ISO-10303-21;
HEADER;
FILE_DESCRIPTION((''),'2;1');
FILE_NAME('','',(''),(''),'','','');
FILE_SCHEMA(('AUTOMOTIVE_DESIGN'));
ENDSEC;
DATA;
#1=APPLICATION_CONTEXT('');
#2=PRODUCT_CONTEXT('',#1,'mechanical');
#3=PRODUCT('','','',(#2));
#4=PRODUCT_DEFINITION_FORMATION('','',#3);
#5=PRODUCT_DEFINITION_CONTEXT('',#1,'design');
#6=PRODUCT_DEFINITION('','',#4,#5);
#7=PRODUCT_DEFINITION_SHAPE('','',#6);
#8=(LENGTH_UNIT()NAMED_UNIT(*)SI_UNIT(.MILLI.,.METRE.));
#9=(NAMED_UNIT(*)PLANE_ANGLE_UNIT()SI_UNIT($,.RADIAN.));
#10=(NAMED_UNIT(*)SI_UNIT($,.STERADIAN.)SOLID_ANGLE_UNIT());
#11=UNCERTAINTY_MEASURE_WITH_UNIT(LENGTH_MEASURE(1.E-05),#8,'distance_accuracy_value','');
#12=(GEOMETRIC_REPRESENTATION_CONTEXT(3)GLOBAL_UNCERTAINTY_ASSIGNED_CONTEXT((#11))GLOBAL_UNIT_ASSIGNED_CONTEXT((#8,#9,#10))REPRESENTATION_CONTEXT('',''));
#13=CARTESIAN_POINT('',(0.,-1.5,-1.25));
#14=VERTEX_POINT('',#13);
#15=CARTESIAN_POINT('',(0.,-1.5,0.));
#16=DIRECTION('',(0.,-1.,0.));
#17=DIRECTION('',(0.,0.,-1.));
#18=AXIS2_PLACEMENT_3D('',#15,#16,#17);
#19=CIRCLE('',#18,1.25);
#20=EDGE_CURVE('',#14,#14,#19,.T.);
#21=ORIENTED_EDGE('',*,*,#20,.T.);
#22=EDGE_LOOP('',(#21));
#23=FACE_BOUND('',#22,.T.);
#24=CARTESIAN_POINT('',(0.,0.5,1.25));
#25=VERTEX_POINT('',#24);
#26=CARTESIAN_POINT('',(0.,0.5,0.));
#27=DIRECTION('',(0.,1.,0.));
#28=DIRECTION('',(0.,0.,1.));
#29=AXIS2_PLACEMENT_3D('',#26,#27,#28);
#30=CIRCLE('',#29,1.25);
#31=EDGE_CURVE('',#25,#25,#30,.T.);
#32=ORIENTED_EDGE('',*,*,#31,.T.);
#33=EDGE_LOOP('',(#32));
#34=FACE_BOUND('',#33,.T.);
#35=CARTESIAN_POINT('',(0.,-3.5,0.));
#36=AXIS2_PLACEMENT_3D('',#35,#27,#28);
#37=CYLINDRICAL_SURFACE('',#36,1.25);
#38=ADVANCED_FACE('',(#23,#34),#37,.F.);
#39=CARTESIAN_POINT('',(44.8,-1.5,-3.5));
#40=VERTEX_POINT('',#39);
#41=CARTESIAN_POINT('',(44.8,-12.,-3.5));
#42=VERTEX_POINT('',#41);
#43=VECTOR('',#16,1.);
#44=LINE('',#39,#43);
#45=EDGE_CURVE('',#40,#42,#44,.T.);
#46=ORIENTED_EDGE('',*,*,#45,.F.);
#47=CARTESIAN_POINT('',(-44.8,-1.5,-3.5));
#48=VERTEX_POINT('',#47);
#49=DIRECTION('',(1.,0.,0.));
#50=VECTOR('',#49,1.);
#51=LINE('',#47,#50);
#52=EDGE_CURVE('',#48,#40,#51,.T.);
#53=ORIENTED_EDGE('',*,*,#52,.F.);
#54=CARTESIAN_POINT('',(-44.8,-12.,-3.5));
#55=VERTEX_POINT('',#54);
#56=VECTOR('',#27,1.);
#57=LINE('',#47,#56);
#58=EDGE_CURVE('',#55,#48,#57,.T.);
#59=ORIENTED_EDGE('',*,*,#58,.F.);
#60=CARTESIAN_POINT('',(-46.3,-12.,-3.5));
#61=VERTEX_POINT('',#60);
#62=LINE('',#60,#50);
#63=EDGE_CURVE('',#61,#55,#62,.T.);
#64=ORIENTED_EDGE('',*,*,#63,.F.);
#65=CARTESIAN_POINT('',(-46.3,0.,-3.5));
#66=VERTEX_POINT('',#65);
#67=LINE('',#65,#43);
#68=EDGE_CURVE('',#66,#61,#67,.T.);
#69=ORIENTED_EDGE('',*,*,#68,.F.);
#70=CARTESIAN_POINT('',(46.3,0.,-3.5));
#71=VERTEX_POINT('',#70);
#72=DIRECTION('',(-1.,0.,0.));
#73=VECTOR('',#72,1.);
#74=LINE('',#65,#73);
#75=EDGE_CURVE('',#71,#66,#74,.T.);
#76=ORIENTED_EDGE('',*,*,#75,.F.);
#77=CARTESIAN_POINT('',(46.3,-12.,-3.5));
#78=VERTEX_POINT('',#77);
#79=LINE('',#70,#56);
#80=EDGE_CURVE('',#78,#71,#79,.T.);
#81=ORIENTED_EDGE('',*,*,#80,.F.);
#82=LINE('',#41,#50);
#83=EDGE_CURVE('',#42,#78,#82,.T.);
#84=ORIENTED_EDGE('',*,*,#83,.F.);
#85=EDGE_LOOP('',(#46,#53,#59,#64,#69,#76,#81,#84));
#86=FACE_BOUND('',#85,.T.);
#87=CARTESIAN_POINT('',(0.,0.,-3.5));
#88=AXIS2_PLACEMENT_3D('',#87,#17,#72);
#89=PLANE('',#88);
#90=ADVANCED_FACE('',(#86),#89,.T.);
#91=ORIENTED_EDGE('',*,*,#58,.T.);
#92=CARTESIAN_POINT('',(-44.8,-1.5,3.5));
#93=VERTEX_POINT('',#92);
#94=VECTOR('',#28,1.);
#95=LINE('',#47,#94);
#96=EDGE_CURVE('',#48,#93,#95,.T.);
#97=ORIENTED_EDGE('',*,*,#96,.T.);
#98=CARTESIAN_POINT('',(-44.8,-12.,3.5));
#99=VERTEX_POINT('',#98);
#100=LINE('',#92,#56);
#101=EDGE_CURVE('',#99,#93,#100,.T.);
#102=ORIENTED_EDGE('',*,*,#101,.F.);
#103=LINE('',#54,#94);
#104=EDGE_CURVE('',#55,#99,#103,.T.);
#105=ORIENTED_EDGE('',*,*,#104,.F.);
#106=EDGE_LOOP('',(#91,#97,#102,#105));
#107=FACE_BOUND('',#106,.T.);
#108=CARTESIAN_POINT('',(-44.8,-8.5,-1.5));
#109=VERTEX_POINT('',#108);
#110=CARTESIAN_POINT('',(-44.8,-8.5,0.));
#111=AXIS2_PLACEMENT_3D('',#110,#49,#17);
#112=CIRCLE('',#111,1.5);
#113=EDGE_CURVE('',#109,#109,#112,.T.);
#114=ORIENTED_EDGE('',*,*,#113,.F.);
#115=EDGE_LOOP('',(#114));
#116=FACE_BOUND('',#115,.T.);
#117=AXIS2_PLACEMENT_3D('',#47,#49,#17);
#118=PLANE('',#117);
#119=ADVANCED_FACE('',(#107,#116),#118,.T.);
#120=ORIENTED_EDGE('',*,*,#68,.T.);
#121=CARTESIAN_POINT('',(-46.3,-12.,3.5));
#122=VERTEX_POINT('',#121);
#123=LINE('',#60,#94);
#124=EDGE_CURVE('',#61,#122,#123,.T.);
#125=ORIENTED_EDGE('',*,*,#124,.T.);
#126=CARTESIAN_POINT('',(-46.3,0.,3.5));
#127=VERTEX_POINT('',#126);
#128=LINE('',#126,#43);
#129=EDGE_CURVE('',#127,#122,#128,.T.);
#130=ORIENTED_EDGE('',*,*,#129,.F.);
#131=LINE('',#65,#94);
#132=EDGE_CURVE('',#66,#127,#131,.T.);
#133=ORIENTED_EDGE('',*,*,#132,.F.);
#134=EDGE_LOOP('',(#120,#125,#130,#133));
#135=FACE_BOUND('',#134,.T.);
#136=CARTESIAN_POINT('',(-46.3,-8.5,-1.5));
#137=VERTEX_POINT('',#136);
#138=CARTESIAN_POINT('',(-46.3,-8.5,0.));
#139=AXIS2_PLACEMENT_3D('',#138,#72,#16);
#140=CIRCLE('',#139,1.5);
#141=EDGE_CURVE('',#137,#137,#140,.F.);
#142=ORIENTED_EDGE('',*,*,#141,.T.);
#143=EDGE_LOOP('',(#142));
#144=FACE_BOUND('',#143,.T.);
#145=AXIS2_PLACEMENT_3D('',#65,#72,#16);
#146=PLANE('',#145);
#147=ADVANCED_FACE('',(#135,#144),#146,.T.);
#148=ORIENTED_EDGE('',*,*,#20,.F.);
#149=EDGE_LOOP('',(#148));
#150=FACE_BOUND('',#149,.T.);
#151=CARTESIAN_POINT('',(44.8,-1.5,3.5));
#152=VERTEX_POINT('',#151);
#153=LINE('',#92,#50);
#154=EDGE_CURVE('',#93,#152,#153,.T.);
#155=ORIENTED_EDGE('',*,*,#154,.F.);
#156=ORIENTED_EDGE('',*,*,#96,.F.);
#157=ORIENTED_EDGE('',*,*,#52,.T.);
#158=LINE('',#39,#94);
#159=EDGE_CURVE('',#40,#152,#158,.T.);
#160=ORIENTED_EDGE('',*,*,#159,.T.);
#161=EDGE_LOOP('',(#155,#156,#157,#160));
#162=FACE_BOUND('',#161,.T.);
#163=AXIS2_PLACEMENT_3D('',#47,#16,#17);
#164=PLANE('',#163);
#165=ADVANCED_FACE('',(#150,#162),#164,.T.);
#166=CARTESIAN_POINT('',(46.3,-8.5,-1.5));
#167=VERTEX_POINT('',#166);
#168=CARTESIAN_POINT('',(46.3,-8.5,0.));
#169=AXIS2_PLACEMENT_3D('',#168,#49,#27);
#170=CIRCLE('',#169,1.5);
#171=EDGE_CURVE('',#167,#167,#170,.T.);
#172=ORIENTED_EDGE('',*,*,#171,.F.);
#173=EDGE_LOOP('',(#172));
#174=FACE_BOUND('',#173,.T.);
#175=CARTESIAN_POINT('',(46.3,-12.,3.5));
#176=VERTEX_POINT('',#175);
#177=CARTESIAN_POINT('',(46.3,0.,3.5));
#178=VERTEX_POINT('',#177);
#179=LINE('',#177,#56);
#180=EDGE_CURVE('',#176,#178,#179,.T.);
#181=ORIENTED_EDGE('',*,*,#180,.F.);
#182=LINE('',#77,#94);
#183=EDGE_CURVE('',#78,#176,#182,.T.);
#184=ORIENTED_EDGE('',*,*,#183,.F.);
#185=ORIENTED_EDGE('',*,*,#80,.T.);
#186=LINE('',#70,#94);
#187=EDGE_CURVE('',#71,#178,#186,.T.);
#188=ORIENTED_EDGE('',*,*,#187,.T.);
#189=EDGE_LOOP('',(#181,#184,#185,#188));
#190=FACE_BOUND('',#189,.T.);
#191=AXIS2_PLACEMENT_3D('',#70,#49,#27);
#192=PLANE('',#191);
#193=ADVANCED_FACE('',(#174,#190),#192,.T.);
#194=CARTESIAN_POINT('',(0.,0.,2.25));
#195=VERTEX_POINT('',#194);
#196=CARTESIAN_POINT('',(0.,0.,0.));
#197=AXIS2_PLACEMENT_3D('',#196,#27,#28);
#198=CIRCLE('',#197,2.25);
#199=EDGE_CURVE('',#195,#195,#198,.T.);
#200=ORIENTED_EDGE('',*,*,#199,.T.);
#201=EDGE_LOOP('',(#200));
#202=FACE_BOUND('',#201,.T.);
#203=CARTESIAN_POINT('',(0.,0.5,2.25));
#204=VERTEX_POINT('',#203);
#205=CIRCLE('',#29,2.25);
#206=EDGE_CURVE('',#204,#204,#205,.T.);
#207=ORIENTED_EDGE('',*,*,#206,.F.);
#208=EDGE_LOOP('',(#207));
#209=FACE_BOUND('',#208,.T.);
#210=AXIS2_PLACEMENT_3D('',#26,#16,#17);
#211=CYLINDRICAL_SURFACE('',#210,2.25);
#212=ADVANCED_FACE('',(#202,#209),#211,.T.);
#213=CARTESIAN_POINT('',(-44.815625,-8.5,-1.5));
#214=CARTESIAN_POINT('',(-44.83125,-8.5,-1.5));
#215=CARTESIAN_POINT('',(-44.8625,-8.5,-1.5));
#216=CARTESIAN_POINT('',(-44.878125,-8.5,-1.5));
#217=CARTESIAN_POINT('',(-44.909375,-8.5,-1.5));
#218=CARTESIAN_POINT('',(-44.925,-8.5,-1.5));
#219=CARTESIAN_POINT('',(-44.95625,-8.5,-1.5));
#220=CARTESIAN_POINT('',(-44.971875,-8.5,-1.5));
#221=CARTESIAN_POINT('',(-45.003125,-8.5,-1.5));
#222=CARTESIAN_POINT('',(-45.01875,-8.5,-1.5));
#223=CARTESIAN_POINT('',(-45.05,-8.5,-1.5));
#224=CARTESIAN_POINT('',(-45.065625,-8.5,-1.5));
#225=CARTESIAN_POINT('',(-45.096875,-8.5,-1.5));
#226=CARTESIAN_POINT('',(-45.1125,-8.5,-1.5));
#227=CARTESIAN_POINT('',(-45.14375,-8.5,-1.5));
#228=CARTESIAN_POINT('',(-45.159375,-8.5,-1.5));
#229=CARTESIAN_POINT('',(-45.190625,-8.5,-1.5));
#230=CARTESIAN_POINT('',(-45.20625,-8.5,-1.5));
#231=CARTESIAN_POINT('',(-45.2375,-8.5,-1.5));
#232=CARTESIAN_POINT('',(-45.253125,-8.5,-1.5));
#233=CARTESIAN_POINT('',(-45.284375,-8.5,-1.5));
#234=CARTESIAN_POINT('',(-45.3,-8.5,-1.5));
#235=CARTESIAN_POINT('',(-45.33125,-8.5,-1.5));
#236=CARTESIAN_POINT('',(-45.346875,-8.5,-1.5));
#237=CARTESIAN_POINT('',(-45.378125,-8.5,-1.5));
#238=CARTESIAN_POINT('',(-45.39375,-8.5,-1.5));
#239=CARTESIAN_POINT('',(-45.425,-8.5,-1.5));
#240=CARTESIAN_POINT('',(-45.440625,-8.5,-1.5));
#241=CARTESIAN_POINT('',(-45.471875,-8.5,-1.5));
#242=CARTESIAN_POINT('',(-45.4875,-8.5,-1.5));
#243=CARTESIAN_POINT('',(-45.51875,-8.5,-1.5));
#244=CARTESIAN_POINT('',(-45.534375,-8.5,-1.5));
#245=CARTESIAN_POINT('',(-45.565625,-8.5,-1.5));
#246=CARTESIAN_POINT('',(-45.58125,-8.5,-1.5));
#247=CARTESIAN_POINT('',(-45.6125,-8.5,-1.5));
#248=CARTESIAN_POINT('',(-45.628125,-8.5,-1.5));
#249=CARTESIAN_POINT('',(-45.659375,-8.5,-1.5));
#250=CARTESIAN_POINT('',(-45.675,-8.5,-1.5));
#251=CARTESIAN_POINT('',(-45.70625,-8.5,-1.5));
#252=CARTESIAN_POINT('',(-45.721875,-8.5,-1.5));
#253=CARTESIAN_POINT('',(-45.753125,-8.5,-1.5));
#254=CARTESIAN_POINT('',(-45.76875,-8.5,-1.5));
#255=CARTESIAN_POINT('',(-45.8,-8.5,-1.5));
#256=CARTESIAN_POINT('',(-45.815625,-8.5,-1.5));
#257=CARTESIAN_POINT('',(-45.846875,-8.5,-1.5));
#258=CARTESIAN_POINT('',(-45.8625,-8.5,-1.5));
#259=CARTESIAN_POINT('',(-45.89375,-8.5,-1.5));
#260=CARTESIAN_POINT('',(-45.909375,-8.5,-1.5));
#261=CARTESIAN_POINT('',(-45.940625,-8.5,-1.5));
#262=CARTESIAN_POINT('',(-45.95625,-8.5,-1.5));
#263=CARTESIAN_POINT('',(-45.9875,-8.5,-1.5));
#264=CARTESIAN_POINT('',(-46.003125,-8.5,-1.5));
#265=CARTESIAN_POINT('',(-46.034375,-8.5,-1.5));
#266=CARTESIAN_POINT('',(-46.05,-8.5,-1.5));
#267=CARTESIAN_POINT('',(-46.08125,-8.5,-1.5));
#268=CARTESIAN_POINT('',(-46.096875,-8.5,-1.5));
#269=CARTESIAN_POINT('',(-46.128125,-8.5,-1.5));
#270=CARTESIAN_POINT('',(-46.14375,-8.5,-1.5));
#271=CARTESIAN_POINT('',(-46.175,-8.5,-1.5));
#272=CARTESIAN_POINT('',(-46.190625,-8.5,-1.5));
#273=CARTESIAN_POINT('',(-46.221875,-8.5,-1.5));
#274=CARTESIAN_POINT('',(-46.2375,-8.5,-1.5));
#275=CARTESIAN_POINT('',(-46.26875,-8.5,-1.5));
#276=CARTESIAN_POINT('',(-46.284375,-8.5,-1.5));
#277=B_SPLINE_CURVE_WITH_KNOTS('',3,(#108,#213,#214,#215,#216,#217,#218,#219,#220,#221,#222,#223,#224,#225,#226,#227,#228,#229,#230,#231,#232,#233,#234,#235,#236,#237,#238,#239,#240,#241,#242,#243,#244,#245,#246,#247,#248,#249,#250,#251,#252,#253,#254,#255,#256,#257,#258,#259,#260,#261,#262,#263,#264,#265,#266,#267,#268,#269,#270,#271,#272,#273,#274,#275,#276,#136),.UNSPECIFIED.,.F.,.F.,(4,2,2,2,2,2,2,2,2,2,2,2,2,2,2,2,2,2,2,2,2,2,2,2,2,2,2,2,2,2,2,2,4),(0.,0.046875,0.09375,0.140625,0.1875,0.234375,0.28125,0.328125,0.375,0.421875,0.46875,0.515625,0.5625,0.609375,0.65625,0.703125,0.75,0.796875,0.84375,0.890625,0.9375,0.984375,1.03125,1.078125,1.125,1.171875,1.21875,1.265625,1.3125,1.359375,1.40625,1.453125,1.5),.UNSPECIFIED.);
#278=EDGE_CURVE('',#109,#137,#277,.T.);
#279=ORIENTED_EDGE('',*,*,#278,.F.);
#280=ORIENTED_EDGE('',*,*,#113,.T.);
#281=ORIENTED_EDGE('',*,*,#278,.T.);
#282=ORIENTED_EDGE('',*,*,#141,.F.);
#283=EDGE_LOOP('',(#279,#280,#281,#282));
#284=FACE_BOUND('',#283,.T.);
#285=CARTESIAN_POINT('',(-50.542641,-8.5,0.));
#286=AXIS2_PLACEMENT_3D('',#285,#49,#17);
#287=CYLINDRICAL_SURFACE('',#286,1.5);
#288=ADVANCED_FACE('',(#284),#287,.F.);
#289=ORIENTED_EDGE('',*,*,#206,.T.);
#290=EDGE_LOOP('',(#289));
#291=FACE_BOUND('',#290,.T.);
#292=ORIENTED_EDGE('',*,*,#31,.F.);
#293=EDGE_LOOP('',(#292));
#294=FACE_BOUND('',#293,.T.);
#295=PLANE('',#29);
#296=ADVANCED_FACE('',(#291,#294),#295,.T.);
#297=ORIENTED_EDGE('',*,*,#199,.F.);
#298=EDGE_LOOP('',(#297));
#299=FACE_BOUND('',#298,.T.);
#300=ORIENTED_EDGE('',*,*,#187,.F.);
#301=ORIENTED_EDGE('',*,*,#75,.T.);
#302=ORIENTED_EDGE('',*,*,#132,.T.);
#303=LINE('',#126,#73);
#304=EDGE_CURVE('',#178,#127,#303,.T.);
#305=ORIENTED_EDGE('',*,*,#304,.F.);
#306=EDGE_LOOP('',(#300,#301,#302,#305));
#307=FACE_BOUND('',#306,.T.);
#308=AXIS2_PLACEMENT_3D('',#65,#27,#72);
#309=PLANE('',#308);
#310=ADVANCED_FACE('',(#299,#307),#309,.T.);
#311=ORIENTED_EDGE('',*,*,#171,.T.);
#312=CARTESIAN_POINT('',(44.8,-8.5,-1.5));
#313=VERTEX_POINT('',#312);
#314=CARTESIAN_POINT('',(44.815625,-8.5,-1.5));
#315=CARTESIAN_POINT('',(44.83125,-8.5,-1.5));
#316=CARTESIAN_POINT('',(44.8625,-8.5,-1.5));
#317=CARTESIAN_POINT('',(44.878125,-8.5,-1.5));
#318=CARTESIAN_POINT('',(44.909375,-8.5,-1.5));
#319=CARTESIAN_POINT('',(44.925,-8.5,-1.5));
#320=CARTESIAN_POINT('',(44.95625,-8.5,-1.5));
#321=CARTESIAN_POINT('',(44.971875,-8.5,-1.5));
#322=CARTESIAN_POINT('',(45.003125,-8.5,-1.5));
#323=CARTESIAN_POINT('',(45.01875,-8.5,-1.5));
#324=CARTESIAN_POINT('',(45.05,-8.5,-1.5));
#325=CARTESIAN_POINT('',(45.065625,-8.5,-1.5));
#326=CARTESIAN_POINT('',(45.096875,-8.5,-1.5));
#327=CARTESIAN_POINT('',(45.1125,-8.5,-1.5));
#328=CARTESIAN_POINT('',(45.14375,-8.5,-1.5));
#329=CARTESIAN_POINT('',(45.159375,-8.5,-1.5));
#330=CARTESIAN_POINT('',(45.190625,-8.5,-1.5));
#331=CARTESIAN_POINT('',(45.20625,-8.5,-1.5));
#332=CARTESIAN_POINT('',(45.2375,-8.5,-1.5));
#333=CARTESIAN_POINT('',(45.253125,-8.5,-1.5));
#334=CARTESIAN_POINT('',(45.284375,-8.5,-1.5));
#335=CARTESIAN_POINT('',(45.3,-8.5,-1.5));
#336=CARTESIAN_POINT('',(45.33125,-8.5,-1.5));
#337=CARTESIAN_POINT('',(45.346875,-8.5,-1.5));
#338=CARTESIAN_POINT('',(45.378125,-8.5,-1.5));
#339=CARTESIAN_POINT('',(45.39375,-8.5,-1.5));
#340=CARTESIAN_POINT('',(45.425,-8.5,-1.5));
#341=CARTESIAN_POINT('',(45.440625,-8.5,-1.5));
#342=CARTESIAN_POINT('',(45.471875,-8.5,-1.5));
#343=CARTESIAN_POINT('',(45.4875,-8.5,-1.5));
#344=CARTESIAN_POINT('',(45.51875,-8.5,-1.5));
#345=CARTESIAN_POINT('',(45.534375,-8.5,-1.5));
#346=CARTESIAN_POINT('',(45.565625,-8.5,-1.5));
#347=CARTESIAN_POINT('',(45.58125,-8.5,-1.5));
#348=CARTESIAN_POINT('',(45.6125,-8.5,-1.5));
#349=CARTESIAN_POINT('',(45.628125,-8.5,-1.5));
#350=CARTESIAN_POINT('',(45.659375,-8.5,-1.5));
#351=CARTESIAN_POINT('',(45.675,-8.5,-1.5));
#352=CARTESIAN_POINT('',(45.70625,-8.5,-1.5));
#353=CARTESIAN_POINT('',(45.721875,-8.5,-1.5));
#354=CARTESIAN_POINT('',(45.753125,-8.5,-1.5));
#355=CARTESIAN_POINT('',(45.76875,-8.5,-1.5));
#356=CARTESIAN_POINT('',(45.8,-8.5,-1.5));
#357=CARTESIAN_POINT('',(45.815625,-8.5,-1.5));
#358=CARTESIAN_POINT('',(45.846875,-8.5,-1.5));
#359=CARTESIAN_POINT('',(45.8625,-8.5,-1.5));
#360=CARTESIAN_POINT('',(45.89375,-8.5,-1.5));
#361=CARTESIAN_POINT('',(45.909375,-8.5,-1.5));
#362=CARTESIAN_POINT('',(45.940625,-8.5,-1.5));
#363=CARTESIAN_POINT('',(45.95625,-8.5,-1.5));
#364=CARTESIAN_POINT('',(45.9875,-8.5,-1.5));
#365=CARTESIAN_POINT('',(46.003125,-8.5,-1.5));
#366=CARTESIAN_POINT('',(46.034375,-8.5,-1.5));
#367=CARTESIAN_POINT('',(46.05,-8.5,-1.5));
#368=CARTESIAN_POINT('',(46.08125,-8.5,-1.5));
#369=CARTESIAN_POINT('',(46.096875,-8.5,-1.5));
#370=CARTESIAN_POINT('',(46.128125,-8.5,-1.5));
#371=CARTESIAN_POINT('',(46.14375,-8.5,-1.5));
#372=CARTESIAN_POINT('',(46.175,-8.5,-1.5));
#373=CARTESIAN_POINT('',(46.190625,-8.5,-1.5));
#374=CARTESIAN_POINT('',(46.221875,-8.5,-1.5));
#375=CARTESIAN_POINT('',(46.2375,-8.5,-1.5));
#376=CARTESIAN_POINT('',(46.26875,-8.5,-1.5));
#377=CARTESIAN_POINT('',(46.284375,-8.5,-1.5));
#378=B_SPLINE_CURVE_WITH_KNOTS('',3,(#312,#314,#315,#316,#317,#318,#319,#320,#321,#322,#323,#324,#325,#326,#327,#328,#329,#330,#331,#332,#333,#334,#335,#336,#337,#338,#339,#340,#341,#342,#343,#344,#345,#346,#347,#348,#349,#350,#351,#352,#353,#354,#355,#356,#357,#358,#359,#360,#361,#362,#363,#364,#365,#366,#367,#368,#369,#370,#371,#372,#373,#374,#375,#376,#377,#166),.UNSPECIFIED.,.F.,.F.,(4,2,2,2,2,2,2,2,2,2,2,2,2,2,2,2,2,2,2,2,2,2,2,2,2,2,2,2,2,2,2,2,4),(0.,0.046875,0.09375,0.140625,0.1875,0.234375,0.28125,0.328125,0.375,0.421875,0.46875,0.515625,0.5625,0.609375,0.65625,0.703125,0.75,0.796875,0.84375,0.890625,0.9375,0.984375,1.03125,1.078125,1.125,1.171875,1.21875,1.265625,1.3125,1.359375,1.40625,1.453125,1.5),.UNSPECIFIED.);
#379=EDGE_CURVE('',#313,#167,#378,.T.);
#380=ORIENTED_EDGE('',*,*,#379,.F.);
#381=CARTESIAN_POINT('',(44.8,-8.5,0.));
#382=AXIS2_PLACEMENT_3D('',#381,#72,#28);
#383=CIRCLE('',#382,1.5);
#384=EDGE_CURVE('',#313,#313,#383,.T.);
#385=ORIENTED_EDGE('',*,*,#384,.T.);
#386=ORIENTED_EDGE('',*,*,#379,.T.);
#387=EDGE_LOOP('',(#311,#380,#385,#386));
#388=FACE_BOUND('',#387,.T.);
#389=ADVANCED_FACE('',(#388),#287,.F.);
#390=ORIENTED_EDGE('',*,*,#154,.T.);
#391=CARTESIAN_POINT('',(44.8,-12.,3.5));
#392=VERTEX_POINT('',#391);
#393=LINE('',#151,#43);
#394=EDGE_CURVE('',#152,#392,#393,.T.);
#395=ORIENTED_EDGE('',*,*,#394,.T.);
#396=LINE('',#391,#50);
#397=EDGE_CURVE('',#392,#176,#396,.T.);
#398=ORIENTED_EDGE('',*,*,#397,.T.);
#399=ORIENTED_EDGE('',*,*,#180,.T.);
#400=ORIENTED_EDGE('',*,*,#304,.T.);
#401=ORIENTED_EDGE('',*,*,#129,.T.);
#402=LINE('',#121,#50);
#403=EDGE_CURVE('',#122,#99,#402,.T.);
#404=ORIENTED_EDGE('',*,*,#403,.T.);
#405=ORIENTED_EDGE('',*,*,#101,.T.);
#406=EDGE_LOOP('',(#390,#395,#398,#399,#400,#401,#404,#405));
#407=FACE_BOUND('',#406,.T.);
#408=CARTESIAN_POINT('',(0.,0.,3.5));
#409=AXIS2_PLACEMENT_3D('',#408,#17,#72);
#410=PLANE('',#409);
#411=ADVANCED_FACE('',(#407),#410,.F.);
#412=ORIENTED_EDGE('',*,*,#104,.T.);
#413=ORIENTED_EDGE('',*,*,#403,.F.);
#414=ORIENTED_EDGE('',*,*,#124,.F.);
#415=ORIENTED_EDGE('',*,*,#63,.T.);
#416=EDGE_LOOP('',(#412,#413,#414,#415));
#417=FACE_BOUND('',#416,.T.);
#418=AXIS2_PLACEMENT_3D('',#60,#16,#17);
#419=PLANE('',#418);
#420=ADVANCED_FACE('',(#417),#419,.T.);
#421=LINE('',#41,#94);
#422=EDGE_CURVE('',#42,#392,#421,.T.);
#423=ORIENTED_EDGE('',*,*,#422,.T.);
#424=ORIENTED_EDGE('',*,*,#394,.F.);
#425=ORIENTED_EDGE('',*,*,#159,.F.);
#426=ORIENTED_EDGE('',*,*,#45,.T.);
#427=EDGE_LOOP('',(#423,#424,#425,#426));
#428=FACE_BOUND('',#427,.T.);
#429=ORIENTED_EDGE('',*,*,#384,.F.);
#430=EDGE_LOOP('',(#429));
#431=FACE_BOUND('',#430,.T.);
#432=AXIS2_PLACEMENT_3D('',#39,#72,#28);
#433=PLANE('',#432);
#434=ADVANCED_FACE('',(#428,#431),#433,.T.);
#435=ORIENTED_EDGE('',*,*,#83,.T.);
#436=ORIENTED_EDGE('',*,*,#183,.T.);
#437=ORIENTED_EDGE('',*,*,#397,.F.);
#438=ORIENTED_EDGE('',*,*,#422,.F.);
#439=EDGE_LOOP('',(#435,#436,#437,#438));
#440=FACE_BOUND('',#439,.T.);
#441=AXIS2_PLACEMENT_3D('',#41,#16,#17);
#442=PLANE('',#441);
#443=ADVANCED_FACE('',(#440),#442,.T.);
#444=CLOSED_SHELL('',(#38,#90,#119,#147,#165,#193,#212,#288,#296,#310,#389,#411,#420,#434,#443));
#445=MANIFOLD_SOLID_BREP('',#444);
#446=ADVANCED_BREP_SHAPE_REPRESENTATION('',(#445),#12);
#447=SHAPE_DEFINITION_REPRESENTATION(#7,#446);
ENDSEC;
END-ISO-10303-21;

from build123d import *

# Parameters (mm, degrees)
BOSS_EXTRUDE1_DEPTH            = 3.5
BOSS_EXTRUDE1_DEPTH_BACK       = 3.5
SKETCH2_R                      = 1.25
CUT_EXTRUDE1_DEPTH             = 3.5
BOSS_EXTRUDE2_START            = 0.5
SKETCH3_R                      = 2.25
SKETCH3_R_2                    = 1.25
BOSS_EXTRUDE2_DEPTH            = 0.5
CUT_EXTRUDE2_REACH             = 49.958
SKETCH4_R                      = 1.5
CUT_EXTRUDE2_DIRECTION_2_REACH = 49.958


with BuildPart() as part:
    # Sketch1 → Boss-Extrude1 (new, two sides: drawn at the far end of the back side and taken through both)
    with BuildSketch(Plane.XY.offset(-BOSS_EXTRUDE1_DEPTH_BACK)):
        Polygon((-46.3, 0), (46.3, 0), (46.3, -12), (44.8, -12), (44.8, -1.5), (-44.8, -1.5), (-44.8, -12), (-46.3, -12), align=None)
    extrude(amount=BOSS_EXTRUDE1_DEPTH + BOSS_EXTRUDE1_DEPTH_BACK)

    # Sketch2 → Cut-Extrude1 (cut)
    with BuildSketch(Plane(origin=(0, 0, 0), x_dir=(1, 0, 0), z_dir=(0, 1, 0))):
        Circle(SKETCH2_R)
    extrude(amount=-CUT_EXTRUDE1_DEPTH, mode=Mode.SUBTRACT)

    # Sketch3 → Boss-Extrude2 (add)
    with BuildSketch(Plane(origin=(0, 0, 0), x_dir=(1, 0, 0), z_dir=(0, 1, 0)).offset(BOSS_EXTRUDE2_START)):
        Circle(SKETCH3_R)
        Circle(SKETCH3_R_2, mode=Mode.SUBTRACT)
    extrude(amount=-BOSS_EXTRUDE2_DEPTH)

    # Cut-Extrude2: up to this face of the body (flat: up to its plane)
    cut_extrude2_end = Plane(part.part.faces().sort_by_distance((-46.3, -6, 0))[0])
    # Sketch4 → Cut-Extrude2 (cut, up to the picked face)
    with BuildSketch(Plane(origin=(0, 0, 0), x_dir=(0, 0, -1), z_dir=(1, 0, 0)), mode=Mode.PRIVATE) as cut_extrude2_sk1:
        with Locations((0, -8.5)):
            Circle(SKETCH4_R)
    cut_extrude2_tool1 = split(extrude(cut_extrude2_sk1.sketch, amount=-CUT_EXTRUDE2_REACH, mode=Mode.PRIVATE), bisect_by=cut_extrude2_end, keep=Keep.BOTH, mode=Mode.PRIVATE)
    add(cut_extrude2_tool1.solids().sort_by(Axis((0, -8.5, 0), (-1, 0, 0)))[0], mode=Mode.SUBTRACT)

    # Cut-Extrude2 direction 2: up to this face of the body (flat: up to its plane)
    cut_extrude2_direction_2_end = Plane(part.part.faces().sort_by_distance((46.3, -6, 0))[0])
    # Sketch4 → Cut-Extrude2 direction 2 (cut, up to the picked face)
    with BuildSketch(Plane(origin=(0, 0, 0), x_dir=(0, 0, -1), z_dir=(1, 0, 0)), mode=Mode.PRIVATE) as cut_extrude2_direction_2_sk1:
        with Locations((0, -8.5)):
            Circle(SKETCH4_R)
    cut_extrude2_direction_2_tool1 = split(extrude(cut_extrude2_direction_2_sk1.sketch, amount=CUT_EXTRUDE2_DIRECTION_2_REACH, mode=Mode.PRIVATE), bisect_by=cut_extrude2_direction_2_end, keep=Keep.BOTH, mode=Mode.PRIVATE)
    add(cut_extrude2_direction_2_tool1.solids().sort_by(Axis((0, -8.5, 0), (1, 0, 0)))[0], mode=Mode.SUBTRACT)


solid = part.part
